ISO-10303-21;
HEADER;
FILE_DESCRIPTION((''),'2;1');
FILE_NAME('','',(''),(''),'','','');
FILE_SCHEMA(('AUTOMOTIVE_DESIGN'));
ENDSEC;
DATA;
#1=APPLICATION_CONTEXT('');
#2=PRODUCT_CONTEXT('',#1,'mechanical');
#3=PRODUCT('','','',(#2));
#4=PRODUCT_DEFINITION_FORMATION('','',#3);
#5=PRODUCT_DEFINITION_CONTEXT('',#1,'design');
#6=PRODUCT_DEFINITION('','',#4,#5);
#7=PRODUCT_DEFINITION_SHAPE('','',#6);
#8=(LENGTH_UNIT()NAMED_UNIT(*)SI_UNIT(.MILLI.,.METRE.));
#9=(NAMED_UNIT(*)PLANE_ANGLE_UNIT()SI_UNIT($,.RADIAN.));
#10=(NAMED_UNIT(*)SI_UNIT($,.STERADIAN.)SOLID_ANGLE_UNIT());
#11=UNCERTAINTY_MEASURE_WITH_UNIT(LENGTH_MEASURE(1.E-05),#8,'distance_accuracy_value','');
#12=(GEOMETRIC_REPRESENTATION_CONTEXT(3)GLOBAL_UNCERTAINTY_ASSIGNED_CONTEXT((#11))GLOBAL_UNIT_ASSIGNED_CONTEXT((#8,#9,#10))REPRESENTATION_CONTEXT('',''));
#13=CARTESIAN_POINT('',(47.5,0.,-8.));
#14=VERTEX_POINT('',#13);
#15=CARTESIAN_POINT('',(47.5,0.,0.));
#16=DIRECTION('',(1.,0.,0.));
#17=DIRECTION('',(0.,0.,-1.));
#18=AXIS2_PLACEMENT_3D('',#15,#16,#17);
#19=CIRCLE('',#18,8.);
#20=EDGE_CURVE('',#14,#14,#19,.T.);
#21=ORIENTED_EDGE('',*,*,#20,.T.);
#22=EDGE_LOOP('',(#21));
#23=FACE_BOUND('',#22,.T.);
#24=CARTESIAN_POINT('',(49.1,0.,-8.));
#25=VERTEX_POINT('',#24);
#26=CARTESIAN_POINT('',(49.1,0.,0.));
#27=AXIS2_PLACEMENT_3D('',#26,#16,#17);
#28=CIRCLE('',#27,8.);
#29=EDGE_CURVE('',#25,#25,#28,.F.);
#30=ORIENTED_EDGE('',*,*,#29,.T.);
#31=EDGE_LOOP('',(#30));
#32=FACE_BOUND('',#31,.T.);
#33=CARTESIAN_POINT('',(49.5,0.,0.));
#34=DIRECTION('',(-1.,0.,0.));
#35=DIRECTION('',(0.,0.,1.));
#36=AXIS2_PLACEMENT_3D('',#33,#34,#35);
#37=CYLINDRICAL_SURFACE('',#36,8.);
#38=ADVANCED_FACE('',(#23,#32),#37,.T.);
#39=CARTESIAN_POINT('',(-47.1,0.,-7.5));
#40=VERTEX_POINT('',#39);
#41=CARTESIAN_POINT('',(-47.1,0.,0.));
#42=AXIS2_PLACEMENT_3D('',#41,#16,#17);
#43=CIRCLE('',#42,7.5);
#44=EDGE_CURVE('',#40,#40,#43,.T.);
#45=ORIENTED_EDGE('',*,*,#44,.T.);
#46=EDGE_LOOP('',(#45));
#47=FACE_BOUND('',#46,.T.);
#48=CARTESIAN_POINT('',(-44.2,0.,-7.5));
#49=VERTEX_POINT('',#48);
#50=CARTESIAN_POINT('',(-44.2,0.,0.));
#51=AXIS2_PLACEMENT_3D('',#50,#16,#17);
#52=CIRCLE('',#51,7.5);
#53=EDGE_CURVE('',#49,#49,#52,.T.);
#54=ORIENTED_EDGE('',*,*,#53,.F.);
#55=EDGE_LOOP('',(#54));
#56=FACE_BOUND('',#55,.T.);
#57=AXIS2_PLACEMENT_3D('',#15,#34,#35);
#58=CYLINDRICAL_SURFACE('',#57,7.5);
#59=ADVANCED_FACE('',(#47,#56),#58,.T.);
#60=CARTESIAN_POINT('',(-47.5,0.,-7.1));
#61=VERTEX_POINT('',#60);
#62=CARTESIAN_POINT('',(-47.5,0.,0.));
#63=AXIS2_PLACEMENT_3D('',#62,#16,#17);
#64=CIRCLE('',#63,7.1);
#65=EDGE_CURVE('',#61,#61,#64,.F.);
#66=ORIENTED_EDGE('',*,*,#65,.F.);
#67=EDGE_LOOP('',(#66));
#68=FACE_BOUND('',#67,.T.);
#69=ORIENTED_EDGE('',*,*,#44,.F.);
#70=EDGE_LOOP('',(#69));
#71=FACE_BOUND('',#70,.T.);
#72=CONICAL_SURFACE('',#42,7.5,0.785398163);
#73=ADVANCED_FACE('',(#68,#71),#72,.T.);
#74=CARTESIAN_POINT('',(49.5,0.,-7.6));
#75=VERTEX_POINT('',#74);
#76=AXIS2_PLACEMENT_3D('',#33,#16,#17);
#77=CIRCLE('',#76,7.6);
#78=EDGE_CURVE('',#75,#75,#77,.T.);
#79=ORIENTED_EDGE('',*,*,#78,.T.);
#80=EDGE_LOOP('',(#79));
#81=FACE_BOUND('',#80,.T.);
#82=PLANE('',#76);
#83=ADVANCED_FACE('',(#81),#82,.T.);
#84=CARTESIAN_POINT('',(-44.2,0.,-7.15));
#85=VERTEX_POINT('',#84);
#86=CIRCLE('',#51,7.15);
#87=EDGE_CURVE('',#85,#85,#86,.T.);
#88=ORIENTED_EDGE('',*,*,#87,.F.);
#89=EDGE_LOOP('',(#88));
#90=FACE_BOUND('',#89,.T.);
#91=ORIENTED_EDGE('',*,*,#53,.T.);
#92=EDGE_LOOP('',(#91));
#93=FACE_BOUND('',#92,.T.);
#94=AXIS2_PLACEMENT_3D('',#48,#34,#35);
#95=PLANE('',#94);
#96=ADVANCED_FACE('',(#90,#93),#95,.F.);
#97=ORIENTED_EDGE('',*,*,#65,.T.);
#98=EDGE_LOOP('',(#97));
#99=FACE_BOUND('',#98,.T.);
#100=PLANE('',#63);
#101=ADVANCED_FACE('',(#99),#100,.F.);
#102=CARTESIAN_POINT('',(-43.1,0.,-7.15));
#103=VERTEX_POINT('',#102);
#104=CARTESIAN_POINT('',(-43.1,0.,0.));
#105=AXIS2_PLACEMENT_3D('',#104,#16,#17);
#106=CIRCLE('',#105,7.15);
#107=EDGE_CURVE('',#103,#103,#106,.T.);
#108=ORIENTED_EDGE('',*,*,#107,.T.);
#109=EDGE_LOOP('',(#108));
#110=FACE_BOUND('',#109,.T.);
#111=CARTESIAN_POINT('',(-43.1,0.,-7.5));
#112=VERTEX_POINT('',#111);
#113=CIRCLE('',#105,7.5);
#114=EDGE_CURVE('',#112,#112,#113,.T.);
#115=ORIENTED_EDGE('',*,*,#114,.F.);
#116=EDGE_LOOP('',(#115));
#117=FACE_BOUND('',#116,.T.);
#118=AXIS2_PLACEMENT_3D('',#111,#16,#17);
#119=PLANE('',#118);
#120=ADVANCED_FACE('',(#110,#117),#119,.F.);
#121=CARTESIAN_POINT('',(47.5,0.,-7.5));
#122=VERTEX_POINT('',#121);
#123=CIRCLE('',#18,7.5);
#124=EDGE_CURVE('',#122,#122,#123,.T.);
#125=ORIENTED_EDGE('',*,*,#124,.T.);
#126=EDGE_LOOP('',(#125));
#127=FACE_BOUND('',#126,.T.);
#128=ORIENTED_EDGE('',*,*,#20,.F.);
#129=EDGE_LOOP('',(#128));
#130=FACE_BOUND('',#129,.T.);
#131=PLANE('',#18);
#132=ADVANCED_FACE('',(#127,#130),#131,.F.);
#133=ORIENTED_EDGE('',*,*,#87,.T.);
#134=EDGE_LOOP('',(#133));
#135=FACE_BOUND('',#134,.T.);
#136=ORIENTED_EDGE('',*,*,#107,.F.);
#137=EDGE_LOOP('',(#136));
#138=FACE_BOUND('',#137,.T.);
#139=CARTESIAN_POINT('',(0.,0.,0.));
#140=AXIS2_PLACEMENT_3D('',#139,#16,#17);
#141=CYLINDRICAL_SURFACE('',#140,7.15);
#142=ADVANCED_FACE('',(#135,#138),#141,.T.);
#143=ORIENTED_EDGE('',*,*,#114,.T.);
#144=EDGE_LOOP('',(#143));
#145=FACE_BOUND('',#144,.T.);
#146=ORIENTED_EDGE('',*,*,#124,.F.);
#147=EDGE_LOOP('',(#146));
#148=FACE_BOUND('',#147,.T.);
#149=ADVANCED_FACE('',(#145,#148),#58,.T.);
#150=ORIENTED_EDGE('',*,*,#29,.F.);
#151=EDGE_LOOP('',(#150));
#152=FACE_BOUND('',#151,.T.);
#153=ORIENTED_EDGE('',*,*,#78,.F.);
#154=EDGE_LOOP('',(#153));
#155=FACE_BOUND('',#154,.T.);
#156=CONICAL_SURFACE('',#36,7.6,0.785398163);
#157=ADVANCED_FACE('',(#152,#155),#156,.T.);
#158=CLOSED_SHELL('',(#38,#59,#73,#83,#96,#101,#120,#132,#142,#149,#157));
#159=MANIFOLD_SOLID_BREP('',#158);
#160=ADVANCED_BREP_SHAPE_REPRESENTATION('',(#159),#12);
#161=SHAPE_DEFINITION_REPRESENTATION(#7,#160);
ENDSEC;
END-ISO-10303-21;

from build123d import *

# Parameters (mm, degrees)
SKETCH1_R           = 7.5
BOSS_EXTRUDE1_DEPTH = 47.5
SKETCH2_R           = 8
BOSS_EXTRUDE2_DEPTH = 2
SKETCH3_W           = 1.1
SKETCH3_H           = 0.35
CHAMFER1_SIZE       = 0.4


with BuildPart() as part:
    # Sketch1 → Boss-Extrude1 (new, symmetric)
    with BuildSketch(Plane(origin=(0, 0, 0), x_dir=(0, 0, -1), z_dir=(1, 0, 0))):
        Circle(SKETCH1_R)
    extrude(amount=BOSS_EXTRUDE1_DEPTH, both=True)

    # Sketch2 → Boss-Extrude2 (add)
    with BuildSketch(Plane(origin=(47.5, 0, 0), x_dir=(0, 0, -1), z_dir=(1, 0, 0))):
        Circle(SKETCH2_R)
    extrude(amount=BOSS_EXTRUDE2_DEPTH)

    # Sketch3 → Cut-Revolve1 (revolve, cut)
    with BuildSketch(Plane(origin=(0, 0, 0), x_dir=(1, 0, 0), z_dir=(0, 1, 0))):
        with Locations((-43.65, 7.325)):
            Rectangle(SKETCH3_W, SKETCH3_H)
    revolve(axis=Axis((0, 0, 0), (-1, 0, 0)), mode=Mode.SUBTRACT)

    # Chamfer1
    chamfer1_edges = [part.edges().sort_by_distance(p)[0] for p in [
        (-47.5, 0, 7.5),
        (49.5, 0, 8),
    ]]
    chamfer(chamfer1_edges, length=CHAMFER1_SIZE)


solid = part.part
